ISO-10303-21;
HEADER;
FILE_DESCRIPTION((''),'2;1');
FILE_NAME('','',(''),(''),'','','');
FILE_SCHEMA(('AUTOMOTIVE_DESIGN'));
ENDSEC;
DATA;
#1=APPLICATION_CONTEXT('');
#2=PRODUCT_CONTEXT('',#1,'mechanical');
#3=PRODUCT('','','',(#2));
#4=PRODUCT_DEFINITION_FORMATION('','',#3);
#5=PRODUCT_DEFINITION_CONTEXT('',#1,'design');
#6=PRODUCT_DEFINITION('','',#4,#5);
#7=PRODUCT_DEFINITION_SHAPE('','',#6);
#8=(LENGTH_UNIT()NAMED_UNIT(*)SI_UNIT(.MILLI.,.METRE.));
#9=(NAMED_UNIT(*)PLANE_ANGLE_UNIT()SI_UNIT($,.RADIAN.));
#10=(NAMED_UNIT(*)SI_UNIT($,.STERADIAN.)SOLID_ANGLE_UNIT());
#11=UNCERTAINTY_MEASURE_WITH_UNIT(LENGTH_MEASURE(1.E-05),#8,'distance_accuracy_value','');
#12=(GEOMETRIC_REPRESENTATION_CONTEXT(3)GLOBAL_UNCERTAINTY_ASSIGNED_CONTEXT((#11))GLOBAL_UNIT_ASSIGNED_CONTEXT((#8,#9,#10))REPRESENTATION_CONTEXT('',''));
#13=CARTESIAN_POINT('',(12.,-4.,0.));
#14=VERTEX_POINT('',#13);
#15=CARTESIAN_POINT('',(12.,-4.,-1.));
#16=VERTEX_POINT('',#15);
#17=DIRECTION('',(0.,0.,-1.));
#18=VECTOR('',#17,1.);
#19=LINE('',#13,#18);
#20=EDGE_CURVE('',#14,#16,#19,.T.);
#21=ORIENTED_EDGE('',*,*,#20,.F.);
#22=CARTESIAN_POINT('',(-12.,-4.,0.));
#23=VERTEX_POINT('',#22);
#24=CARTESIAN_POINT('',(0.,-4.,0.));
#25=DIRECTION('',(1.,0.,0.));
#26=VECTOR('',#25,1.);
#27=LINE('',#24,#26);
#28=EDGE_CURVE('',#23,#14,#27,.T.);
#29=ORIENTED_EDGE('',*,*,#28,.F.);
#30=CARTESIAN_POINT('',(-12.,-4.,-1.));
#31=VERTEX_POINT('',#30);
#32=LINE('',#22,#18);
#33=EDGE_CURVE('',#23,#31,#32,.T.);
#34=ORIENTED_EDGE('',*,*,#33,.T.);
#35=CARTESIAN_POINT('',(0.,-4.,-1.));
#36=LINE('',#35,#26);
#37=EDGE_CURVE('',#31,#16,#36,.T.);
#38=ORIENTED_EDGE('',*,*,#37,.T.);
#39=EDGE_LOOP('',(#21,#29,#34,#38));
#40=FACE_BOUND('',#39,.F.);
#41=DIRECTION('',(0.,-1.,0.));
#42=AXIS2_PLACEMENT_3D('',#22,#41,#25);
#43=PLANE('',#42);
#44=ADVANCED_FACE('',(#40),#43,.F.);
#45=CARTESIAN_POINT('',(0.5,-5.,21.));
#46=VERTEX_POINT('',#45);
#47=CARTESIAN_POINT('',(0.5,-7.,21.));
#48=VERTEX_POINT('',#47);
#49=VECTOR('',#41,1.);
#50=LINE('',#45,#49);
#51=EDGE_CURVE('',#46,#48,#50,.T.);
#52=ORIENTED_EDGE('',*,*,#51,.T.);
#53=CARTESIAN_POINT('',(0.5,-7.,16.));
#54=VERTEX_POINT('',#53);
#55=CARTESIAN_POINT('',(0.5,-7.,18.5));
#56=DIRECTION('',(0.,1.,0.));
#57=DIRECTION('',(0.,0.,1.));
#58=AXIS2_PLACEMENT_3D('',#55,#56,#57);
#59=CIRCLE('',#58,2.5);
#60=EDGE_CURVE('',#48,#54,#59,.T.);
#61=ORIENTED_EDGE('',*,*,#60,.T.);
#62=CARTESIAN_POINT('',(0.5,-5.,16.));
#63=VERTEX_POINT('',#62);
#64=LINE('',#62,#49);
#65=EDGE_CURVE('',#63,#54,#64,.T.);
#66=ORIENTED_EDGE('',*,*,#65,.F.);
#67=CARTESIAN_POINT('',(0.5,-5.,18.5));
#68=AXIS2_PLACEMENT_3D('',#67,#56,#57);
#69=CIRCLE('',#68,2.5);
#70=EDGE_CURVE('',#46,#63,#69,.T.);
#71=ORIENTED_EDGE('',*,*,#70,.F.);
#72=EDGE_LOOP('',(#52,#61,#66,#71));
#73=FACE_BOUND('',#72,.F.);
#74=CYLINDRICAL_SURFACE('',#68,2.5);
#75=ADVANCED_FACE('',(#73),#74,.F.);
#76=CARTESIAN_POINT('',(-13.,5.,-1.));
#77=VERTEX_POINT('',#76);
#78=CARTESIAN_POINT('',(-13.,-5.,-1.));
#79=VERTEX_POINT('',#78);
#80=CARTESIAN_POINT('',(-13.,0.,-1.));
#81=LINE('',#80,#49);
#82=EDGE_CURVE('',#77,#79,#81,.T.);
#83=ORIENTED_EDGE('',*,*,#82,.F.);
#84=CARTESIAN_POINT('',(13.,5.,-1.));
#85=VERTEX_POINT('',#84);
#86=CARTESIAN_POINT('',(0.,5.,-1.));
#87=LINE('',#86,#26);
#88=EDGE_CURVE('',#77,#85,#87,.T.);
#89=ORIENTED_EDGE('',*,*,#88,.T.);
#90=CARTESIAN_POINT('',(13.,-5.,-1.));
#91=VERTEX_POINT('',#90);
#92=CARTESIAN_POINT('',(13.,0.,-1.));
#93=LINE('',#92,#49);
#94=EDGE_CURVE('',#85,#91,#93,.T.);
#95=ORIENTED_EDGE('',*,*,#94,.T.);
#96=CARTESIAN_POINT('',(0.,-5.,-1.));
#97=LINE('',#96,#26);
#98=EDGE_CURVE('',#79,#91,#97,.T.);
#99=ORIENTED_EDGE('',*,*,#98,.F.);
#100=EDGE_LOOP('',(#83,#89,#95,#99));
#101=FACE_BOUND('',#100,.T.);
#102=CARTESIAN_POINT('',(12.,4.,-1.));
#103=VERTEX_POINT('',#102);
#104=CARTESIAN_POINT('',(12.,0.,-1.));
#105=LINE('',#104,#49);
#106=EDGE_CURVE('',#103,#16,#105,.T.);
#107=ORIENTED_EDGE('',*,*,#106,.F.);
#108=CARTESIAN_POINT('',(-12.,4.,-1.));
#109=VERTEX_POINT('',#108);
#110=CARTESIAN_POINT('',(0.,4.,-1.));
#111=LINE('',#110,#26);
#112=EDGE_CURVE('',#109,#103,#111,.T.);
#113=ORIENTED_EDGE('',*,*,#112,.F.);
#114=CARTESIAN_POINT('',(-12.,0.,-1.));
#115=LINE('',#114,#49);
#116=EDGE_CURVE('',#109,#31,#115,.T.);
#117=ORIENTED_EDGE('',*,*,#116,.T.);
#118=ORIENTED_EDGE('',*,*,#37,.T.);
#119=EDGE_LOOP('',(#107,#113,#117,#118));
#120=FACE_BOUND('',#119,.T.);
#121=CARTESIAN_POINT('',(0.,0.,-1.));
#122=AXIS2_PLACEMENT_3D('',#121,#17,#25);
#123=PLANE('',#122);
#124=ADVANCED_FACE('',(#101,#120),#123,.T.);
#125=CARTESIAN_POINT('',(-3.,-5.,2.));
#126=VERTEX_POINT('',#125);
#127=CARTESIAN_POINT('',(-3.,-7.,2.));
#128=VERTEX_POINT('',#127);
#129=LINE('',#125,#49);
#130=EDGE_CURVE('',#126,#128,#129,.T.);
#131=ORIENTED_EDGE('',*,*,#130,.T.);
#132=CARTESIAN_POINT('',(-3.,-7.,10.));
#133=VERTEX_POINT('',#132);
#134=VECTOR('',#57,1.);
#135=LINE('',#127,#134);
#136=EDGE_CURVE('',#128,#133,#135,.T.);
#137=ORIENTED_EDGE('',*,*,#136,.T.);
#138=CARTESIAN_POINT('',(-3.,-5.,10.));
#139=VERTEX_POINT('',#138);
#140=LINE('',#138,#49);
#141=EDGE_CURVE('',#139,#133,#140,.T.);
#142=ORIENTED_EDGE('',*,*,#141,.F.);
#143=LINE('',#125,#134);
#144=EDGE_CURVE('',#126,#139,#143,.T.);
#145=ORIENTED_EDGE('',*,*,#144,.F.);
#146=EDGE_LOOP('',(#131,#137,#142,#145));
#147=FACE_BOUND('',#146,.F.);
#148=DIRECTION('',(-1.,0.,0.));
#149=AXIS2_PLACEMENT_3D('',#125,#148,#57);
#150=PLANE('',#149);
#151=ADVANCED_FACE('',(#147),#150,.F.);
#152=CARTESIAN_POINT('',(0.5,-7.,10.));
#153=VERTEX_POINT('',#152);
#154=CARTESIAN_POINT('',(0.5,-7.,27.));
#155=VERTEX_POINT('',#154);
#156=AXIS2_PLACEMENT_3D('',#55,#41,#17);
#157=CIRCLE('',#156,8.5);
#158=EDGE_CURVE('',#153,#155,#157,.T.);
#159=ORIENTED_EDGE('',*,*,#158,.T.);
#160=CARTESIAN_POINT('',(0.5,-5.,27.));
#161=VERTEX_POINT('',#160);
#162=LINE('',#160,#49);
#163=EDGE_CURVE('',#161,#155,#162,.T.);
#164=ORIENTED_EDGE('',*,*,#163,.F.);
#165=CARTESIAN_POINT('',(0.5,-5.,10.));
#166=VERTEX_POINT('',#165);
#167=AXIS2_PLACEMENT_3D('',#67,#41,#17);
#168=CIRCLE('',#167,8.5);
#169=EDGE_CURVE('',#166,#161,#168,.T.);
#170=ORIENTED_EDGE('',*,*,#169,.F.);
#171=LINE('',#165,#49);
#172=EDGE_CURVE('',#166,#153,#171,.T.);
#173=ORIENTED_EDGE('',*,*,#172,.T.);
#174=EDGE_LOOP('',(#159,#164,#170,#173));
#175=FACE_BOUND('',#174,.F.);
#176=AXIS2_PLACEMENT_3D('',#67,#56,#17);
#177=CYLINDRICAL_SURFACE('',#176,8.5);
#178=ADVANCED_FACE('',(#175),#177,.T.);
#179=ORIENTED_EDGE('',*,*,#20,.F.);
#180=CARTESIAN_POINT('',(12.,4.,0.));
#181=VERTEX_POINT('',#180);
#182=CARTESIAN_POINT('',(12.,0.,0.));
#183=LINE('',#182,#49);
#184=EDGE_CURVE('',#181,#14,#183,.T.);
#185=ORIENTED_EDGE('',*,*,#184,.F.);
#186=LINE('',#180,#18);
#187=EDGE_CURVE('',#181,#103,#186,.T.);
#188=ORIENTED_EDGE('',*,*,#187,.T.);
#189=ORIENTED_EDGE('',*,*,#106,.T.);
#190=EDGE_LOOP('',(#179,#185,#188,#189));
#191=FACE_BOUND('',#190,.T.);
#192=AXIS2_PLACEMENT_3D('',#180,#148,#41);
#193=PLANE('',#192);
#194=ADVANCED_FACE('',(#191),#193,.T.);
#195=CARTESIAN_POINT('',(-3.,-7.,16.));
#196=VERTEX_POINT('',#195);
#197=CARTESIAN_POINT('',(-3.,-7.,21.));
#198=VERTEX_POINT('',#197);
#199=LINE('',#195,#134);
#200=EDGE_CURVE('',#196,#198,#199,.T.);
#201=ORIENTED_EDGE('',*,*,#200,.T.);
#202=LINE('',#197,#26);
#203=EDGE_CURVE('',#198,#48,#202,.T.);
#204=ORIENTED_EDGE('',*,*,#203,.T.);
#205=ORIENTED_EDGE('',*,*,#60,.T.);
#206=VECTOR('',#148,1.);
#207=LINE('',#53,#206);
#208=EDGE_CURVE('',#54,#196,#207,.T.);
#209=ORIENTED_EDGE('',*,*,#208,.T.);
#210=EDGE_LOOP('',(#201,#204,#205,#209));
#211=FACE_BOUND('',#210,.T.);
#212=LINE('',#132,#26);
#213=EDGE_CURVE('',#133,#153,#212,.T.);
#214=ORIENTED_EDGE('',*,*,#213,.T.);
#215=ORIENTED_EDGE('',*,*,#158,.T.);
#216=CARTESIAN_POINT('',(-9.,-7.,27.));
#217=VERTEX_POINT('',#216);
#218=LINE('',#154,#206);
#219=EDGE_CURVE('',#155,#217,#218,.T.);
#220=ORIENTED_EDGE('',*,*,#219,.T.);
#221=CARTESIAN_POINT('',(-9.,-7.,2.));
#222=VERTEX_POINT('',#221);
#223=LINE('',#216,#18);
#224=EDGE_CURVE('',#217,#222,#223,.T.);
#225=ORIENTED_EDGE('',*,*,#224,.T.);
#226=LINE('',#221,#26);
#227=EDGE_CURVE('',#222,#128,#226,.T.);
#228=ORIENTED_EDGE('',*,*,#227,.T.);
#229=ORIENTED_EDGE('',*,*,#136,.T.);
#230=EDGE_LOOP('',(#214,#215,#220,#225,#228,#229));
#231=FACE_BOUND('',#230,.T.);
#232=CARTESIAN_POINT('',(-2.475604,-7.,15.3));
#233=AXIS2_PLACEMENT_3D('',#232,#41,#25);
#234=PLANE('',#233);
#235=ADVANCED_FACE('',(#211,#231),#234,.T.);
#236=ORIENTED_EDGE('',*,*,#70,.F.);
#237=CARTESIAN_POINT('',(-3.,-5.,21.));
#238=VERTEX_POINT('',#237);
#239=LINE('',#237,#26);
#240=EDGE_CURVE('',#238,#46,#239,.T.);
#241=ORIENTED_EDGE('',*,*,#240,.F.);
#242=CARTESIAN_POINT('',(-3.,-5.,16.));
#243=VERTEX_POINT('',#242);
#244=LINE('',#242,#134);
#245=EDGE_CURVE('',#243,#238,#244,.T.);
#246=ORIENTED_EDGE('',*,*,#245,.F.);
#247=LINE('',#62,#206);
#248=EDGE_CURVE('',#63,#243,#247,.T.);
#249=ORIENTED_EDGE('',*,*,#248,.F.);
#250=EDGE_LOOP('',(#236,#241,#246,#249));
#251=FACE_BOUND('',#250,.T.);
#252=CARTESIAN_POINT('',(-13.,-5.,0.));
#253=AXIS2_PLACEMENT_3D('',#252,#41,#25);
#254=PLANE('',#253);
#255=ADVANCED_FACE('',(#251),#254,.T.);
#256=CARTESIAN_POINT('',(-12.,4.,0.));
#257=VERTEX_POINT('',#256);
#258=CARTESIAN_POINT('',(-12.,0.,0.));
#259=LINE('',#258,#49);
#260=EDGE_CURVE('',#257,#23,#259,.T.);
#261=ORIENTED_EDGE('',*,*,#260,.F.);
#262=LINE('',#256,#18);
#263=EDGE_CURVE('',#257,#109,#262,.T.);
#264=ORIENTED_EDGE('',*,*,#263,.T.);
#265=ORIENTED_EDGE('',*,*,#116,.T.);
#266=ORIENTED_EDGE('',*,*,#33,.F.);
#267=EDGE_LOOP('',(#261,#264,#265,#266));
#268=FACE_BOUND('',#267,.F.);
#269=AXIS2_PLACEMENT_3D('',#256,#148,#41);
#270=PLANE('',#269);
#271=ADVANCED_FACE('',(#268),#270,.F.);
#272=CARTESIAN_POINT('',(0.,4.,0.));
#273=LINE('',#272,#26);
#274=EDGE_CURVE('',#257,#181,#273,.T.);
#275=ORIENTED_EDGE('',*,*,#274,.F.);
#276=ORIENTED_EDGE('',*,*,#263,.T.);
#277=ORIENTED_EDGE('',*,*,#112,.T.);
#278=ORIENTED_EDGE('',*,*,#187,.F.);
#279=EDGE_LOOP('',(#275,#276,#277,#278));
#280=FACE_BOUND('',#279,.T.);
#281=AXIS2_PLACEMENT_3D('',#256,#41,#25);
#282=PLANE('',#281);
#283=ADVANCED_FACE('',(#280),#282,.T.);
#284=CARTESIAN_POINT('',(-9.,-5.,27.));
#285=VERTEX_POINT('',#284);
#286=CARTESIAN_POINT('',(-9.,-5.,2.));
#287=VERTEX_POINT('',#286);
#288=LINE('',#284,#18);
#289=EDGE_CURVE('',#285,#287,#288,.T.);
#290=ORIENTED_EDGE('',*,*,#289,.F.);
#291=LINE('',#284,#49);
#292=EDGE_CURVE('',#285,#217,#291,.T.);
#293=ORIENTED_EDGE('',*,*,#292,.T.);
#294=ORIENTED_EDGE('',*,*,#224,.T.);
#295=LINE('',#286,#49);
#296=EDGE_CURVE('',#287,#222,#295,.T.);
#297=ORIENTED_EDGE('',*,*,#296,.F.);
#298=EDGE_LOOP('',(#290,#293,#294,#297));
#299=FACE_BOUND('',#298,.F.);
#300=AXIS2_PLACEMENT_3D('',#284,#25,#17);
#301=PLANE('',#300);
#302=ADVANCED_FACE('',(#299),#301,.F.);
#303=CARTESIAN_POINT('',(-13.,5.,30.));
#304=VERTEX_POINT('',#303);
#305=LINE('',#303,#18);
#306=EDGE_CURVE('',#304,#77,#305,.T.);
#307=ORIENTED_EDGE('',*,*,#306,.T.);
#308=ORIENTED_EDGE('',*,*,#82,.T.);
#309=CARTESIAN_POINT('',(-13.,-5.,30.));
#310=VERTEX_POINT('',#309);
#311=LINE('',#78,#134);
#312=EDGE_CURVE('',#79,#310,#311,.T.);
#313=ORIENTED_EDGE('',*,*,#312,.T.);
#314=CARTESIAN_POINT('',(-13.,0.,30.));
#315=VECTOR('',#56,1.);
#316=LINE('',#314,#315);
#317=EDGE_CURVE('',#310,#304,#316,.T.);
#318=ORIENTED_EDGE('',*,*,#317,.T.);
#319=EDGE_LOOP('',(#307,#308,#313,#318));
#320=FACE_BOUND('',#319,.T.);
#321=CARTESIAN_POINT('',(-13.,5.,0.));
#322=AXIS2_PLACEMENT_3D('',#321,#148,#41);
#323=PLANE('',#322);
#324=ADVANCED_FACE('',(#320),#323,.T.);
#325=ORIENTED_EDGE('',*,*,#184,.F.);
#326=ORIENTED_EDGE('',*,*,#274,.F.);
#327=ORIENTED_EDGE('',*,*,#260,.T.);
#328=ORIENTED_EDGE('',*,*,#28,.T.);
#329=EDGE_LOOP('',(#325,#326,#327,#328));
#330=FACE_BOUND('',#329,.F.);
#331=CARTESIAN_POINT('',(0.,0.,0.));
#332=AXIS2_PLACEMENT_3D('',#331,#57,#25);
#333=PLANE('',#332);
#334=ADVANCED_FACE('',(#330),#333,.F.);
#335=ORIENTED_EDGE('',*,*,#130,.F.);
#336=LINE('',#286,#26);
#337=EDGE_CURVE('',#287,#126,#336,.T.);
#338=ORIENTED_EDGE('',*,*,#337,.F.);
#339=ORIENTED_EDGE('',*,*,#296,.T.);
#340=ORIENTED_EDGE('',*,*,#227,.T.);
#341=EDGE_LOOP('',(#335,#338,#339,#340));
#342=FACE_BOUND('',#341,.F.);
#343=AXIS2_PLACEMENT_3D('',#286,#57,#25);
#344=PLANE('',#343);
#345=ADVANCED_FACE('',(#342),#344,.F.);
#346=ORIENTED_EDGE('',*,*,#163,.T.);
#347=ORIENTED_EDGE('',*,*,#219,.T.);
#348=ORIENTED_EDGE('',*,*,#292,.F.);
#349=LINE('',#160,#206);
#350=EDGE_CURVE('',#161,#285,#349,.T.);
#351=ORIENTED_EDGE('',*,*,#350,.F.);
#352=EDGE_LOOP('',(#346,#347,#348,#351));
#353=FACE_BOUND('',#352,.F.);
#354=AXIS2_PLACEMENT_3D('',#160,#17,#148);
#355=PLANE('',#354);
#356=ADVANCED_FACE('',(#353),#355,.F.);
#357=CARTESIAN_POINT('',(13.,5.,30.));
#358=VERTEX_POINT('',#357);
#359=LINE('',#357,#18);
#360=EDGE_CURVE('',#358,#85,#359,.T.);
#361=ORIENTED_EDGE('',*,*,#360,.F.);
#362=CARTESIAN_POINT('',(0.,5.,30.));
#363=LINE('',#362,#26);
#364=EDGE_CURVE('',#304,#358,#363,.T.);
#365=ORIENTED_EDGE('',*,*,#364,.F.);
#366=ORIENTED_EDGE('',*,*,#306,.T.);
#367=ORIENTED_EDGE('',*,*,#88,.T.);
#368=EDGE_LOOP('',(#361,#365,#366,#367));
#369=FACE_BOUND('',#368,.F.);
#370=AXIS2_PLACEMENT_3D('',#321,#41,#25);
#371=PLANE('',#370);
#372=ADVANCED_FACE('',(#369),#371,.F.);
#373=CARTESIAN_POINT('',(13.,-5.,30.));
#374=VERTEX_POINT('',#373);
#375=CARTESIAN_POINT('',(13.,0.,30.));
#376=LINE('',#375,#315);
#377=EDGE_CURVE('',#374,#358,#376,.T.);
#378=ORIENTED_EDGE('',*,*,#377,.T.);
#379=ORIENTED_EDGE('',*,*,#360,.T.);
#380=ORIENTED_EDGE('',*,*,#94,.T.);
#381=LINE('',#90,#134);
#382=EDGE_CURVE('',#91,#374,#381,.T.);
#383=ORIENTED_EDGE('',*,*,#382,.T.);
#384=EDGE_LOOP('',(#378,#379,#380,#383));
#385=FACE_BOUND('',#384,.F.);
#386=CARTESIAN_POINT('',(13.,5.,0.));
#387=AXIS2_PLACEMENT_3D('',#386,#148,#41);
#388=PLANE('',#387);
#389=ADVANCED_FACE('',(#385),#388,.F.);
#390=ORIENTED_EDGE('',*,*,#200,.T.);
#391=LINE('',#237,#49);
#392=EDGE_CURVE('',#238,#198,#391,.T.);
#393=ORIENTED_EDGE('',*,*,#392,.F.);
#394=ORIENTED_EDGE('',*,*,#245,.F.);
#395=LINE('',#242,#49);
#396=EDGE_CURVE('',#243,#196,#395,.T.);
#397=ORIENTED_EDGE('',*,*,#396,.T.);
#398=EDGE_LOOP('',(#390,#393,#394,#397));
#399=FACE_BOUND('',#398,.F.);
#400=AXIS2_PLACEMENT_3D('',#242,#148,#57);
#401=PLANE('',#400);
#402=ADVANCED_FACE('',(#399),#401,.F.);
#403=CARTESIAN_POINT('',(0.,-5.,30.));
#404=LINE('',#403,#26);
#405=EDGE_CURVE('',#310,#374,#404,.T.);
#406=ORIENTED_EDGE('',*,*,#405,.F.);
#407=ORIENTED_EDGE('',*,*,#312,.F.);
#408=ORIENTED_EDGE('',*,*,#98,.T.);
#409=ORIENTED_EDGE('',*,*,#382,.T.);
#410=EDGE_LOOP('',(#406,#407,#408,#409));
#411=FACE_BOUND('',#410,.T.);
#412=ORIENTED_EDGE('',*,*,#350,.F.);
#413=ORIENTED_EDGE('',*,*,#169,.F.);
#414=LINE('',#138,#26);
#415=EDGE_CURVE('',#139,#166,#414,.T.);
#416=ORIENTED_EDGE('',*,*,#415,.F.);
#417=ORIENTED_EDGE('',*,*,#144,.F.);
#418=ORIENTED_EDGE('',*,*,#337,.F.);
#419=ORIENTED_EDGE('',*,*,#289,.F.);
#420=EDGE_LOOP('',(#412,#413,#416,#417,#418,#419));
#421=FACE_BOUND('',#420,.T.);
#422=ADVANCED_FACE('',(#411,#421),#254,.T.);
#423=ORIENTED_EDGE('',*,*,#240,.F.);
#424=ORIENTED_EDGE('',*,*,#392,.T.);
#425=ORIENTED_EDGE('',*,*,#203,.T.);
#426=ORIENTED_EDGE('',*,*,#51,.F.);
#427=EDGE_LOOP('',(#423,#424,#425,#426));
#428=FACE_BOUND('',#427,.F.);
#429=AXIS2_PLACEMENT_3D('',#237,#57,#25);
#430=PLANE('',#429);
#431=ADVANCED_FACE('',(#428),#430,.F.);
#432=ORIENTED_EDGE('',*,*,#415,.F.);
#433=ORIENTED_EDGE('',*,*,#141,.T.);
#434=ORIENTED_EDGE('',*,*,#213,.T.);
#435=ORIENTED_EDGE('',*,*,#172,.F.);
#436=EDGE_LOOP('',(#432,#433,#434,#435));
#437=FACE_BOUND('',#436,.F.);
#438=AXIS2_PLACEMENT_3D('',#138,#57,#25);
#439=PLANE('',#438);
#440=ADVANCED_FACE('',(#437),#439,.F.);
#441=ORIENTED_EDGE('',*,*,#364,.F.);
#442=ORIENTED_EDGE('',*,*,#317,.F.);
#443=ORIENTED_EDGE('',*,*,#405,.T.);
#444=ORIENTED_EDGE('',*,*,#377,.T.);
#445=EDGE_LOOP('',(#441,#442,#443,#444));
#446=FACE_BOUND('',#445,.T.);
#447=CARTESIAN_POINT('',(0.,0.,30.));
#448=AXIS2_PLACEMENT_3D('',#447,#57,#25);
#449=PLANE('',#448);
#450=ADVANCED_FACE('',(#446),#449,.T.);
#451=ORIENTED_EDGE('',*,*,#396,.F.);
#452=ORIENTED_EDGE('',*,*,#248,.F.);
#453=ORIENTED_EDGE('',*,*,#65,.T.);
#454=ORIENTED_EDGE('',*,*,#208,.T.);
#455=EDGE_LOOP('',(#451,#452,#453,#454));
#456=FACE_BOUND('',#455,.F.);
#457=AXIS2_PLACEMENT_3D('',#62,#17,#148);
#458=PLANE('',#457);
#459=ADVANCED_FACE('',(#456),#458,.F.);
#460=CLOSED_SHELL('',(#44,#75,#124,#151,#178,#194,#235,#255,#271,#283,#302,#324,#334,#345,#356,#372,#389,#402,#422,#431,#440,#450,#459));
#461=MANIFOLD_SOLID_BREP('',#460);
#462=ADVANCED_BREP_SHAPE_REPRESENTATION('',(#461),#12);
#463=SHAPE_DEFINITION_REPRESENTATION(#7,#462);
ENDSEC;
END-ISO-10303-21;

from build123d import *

# Parameters (mm, degrees)
F0_W     = 26
F0_H     = 10
F1_DEPTH = 30
F2_W     = 26
F2_H     = 10
F2_W_2   = 24
F2_H_2   = 8
F3_DEPTH = 1
F5_DEPTH = 2


with BuildPart() as f1:
    # F0 (on Top) → F1 (new body)
    with BuildSketch(Plane.XY):
        Rectangle(F0_W, F0_H)
    extrude(amount=F1_DEPTH)

    # F2 (on face) → F3 (join)
    with BuildSketch(Plane(origin=(0, 0, 0), x_dir=(1, 0, 0), z_dir=(0, 0, -1))):
        Rectangle(F2_W, F2_H)
        Rectangle(F2_W_2, F2_H_2, mode=Mode.SUBTRACT)
    extrude(amount=F3_DEPTH)

    # F4 (on face) → F5 (join)
    with BuildSketch(Plane.XZ.offset(5)):
        with BuildLine():
            Line((-3, 27), (-9, 27))
            Line((-9, 27), (-9, 2))
            Line((-9, 2), (-3, 2))
            Line((-3, 2), (-3, 10))
            Line((-3, 10), (0.5, 10))
            ThreePointArc((0.5, 10), (9, 18.5), (0.5, 27))
            Line((0.5, 27), (-3, 27))
        make_face()
        with BuildLine():
            Line((-3, 16), (-3, 21))
            Line((-3, 21), (0.5, 21))
            ThreePointArc((0.5, 21), (3, 18.5), (0.5, 16))
            Line((0.5, 16), (-3, 16))
        make_face(mode=Mode.SUBTRACT)
    extrude(amount=F5_DEPTH)


solid = f1.part
